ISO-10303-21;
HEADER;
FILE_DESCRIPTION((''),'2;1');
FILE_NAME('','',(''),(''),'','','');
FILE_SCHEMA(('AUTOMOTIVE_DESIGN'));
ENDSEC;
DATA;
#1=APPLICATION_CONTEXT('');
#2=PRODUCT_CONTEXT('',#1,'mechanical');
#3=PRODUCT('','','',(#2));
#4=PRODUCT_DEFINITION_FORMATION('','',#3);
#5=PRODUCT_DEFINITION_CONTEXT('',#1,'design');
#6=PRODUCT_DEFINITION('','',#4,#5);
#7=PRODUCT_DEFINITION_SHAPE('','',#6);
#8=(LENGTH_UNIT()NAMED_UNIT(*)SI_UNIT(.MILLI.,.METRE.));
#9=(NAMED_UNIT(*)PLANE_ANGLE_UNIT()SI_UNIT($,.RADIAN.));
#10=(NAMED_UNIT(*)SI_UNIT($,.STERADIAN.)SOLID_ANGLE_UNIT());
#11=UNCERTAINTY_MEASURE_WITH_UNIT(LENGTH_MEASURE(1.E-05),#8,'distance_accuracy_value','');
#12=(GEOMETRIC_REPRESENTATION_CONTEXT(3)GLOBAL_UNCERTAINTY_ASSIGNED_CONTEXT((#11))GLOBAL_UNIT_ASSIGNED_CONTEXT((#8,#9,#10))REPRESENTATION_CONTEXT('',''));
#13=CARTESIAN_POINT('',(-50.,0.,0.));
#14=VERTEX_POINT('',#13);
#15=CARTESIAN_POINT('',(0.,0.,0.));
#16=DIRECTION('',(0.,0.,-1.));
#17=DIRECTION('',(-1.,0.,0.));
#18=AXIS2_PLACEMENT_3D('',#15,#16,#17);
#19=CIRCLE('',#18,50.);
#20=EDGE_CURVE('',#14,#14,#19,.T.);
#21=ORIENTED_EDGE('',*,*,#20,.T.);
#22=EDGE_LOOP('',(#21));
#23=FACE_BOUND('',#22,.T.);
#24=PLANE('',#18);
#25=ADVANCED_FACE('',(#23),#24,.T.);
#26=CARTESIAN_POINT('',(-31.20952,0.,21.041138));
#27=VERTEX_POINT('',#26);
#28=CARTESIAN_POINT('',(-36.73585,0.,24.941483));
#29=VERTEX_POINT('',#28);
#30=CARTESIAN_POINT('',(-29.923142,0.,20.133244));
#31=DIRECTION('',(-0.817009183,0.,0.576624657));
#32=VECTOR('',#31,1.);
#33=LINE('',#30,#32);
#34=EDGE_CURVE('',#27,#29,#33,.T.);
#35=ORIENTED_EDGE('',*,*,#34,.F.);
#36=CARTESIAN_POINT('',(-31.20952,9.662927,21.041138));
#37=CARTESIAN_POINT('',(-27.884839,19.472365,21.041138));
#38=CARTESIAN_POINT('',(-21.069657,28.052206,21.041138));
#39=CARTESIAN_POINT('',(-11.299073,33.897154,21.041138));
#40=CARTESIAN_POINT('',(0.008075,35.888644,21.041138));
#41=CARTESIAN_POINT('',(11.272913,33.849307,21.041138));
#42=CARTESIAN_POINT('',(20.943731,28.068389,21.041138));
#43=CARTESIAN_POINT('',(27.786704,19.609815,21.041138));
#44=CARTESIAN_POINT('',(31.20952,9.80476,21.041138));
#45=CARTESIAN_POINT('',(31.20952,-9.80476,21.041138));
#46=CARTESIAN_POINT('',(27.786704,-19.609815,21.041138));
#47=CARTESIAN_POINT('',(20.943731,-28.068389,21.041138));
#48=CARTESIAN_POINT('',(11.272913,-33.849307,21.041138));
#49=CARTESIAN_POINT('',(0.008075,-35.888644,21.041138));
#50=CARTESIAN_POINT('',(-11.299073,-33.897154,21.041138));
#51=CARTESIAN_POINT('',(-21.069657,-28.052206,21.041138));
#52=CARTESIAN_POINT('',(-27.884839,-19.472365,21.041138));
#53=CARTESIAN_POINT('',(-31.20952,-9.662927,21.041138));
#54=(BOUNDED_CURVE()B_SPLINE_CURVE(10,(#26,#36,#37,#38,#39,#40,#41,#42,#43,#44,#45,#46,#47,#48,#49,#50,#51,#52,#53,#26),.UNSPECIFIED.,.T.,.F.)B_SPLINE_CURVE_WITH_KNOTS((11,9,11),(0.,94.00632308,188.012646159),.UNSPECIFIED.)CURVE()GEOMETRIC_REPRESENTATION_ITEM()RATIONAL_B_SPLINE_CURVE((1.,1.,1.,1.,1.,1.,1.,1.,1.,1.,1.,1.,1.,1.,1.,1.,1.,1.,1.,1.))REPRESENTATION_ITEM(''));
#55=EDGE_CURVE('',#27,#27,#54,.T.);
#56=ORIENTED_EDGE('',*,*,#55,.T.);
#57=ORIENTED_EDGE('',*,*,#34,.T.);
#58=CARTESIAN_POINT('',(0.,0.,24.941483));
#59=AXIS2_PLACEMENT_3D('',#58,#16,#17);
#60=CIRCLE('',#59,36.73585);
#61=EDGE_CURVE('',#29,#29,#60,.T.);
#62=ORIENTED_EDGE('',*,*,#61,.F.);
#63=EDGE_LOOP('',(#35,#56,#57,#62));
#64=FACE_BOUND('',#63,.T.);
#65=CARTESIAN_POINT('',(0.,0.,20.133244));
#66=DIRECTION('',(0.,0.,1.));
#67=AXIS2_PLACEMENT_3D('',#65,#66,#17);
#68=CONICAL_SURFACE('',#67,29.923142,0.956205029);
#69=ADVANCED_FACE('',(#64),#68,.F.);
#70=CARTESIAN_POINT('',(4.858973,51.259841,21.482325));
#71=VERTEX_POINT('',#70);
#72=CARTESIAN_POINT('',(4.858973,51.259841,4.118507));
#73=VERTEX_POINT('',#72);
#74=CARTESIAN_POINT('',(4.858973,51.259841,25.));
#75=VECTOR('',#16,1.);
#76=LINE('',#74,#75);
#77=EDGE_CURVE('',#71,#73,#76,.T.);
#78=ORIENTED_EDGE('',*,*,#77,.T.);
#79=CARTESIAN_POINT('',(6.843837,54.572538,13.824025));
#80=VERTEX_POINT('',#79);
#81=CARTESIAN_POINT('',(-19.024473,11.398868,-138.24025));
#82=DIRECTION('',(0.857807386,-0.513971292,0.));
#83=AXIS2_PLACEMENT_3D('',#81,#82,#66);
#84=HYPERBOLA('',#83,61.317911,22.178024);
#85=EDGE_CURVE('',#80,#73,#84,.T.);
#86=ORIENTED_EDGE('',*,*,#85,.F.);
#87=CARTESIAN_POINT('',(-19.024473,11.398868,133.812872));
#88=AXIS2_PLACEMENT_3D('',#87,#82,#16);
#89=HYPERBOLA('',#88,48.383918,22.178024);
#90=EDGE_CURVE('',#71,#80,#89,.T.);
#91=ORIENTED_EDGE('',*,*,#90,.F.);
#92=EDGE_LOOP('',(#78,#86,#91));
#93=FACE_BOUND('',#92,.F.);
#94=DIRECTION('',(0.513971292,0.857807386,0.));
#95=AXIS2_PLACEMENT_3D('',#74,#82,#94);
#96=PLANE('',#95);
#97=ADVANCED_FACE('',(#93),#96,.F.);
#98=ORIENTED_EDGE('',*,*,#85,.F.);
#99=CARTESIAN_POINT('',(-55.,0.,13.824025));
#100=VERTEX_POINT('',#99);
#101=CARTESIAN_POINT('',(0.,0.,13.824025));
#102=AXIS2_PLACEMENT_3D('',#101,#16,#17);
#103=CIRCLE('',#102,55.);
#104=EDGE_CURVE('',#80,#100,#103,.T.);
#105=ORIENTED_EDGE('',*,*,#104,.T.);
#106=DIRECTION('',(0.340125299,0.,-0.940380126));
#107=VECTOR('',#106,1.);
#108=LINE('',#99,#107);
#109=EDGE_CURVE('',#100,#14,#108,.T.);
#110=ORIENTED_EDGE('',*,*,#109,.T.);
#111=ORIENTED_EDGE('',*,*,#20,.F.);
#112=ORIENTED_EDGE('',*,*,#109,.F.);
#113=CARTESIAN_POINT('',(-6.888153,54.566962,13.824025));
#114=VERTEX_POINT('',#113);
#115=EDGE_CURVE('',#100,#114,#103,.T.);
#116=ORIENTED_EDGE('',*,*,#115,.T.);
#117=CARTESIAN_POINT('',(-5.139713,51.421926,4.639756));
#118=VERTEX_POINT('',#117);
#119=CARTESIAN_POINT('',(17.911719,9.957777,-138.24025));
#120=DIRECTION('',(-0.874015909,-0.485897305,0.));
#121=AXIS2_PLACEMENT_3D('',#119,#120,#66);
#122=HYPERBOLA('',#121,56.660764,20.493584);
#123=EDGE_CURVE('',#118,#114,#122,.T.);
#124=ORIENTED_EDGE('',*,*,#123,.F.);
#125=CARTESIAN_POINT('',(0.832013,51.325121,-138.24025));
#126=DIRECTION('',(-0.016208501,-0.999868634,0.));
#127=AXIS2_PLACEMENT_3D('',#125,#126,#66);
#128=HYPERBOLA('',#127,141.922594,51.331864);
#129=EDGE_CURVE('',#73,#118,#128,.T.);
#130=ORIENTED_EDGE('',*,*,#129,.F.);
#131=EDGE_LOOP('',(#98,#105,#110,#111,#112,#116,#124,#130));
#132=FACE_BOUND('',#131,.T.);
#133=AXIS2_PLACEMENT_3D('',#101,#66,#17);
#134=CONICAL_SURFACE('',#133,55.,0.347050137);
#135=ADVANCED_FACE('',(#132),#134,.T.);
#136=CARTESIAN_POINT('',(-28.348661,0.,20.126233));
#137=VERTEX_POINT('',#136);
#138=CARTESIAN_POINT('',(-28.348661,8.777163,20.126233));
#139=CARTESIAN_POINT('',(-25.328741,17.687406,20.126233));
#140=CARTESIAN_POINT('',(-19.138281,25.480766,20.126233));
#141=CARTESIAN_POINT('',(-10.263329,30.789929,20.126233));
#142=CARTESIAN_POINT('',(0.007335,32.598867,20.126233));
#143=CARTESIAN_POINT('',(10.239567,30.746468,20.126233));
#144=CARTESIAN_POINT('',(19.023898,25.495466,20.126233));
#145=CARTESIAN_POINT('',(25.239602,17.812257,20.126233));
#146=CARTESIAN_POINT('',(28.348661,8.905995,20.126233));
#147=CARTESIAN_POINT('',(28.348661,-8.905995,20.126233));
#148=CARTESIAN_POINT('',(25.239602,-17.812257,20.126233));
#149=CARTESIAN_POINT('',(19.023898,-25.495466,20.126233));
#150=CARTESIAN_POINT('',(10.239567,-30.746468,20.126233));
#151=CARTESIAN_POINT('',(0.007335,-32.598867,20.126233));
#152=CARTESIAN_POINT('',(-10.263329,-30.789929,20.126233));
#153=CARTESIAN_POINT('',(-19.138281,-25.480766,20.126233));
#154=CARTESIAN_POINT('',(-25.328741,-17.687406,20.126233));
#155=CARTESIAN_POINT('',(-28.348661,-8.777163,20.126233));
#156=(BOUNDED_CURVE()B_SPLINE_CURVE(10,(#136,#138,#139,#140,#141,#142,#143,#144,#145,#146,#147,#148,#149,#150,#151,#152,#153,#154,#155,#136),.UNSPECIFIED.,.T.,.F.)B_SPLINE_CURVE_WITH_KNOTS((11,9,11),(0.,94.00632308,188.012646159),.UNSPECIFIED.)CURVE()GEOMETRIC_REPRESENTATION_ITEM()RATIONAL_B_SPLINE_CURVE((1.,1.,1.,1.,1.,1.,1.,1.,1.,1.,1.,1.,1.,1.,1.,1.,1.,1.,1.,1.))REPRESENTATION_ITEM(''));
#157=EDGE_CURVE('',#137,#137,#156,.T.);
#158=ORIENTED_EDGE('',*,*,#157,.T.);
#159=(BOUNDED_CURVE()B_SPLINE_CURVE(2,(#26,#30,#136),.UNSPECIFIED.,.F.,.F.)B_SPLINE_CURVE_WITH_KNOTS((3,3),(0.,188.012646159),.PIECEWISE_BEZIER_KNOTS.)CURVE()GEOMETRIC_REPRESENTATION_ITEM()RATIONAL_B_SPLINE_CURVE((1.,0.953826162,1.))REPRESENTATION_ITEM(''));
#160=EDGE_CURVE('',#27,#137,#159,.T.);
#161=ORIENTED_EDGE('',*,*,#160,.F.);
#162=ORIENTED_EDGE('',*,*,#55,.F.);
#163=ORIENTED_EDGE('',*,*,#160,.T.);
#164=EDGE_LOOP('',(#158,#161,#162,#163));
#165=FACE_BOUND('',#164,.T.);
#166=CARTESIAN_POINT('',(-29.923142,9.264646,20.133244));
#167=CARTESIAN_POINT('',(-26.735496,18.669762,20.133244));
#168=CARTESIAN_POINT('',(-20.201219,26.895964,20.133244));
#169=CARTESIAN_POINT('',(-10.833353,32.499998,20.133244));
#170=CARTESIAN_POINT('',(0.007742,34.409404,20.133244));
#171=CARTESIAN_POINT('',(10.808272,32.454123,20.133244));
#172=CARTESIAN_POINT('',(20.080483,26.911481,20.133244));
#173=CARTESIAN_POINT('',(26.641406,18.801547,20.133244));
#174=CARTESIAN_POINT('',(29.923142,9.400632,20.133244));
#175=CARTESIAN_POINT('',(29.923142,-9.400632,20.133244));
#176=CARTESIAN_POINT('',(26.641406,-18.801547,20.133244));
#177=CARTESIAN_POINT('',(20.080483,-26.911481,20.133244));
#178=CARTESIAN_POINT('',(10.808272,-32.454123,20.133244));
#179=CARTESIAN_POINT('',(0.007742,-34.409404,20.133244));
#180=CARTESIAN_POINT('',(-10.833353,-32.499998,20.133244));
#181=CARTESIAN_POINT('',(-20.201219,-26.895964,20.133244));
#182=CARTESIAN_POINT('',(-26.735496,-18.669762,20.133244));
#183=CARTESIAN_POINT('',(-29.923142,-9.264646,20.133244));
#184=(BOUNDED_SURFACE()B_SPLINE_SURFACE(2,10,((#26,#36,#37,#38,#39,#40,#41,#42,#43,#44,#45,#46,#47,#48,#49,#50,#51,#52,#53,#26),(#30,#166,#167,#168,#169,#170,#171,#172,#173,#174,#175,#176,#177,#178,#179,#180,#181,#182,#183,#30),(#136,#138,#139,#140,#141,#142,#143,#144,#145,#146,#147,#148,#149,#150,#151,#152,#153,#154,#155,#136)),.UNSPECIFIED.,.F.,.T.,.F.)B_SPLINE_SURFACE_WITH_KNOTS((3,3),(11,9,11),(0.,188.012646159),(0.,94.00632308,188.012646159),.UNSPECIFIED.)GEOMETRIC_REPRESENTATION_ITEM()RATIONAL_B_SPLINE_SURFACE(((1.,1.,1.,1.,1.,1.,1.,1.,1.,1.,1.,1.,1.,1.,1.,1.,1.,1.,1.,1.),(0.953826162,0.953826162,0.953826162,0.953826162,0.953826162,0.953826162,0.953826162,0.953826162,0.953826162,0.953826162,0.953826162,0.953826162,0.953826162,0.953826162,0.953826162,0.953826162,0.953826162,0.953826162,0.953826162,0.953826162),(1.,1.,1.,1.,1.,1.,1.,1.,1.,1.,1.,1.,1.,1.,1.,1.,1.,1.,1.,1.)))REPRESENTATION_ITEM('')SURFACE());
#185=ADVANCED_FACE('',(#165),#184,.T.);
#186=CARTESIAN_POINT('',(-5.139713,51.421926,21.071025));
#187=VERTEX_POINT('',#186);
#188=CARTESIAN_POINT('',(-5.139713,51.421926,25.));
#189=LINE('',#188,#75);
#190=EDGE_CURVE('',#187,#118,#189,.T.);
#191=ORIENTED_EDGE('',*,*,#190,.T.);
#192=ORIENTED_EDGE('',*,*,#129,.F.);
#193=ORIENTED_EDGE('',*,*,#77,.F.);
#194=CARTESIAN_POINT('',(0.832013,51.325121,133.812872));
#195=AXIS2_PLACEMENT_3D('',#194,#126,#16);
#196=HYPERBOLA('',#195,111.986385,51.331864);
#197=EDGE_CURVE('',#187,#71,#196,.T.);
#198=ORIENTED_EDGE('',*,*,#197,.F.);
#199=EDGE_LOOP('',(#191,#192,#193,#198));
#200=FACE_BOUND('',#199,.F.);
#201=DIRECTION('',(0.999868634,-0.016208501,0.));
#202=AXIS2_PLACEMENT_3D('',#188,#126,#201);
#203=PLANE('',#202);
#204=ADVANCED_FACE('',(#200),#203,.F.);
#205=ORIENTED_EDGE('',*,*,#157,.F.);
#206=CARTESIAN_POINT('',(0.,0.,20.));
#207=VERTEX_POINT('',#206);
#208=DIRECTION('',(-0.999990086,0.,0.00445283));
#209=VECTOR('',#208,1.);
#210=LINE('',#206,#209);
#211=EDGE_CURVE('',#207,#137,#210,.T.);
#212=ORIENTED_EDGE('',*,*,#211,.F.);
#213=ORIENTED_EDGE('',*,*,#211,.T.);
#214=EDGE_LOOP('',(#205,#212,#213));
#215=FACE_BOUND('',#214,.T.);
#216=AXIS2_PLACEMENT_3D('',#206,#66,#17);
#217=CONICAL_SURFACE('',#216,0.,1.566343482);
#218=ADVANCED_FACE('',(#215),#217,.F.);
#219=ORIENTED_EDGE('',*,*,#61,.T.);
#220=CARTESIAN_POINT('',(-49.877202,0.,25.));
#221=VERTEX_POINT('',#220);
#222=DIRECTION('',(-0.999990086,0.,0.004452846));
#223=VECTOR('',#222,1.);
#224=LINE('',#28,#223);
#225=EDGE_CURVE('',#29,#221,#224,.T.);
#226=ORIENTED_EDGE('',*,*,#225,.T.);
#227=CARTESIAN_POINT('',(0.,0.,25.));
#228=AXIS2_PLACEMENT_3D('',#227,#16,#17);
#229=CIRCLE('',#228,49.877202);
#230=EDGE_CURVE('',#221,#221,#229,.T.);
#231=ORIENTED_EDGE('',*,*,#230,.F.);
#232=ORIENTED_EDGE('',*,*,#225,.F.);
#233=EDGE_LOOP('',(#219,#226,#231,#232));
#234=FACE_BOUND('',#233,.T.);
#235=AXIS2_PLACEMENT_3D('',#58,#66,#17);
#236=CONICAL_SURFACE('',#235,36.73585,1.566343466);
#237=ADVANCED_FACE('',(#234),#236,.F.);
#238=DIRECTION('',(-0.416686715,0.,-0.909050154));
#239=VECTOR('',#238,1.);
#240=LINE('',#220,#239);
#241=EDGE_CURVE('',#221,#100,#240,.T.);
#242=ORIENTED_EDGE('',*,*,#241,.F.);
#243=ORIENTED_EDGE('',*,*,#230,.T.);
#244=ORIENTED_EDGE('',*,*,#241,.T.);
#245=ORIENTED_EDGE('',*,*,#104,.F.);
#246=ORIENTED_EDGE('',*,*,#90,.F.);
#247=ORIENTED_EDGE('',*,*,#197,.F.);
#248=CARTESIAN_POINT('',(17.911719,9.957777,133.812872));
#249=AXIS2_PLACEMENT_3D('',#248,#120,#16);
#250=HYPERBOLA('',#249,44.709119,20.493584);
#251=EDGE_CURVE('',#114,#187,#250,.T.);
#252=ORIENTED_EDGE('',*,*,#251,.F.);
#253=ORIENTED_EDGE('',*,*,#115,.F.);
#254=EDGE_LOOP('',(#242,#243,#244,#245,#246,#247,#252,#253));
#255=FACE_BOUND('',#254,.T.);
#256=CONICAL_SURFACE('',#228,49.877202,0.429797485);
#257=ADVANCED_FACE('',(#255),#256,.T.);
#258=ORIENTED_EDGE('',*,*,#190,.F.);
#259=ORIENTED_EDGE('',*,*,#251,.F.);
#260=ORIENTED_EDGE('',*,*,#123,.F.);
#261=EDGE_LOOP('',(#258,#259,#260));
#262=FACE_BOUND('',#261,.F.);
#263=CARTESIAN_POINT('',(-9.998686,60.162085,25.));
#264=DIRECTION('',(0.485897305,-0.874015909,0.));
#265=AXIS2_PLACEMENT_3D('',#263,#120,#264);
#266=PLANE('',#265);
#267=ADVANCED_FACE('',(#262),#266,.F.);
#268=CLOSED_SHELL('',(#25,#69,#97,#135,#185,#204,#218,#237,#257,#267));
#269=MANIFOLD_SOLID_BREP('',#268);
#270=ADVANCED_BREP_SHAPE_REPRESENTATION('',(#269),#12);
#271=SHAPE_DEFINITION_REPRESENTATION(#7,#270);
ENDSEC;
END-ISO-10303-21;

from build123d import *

# Parameters (mm, degrees)
F2_R     = 5
F5_DEPTH = 25


with BuildPart() as f1:
    # F0 (on Front) → F1 (revolve)
    with BuildSketch(Plane.XZ):
        Polygon((-29.923142, 20.133244), (-36.73585, 24.941483), (-49.877202, 25), (-55, 13.824025), (-50, 0), (0, 0), (0, 20), align=None)
    revolve(axis=Axis((0, 0, 10), (0, 0, -1)))

    # F2
    f2_edges = [f1.edges().sort_by_distance(p)[0] for p in [
        (29.923142, 0, 20.133244),
    ]]
    fillet(f2_edges, radius=F2_R)

    # F4 (on offset) → F5 (cut)
    with BuildSketch(Plane.XY.offset(25)):
        Polygon((9.998686, 59.837915), (5.139713, 68.578074), (-4.858973, 68.740159), (-9.998686, 60.162085), (-5.139713, 51.421926), (4.858973, 51.259841), align=None)
    extrude(amount=-F5_DEPTH, mode=Mode.SUBTRACT)


solid = f1.part
